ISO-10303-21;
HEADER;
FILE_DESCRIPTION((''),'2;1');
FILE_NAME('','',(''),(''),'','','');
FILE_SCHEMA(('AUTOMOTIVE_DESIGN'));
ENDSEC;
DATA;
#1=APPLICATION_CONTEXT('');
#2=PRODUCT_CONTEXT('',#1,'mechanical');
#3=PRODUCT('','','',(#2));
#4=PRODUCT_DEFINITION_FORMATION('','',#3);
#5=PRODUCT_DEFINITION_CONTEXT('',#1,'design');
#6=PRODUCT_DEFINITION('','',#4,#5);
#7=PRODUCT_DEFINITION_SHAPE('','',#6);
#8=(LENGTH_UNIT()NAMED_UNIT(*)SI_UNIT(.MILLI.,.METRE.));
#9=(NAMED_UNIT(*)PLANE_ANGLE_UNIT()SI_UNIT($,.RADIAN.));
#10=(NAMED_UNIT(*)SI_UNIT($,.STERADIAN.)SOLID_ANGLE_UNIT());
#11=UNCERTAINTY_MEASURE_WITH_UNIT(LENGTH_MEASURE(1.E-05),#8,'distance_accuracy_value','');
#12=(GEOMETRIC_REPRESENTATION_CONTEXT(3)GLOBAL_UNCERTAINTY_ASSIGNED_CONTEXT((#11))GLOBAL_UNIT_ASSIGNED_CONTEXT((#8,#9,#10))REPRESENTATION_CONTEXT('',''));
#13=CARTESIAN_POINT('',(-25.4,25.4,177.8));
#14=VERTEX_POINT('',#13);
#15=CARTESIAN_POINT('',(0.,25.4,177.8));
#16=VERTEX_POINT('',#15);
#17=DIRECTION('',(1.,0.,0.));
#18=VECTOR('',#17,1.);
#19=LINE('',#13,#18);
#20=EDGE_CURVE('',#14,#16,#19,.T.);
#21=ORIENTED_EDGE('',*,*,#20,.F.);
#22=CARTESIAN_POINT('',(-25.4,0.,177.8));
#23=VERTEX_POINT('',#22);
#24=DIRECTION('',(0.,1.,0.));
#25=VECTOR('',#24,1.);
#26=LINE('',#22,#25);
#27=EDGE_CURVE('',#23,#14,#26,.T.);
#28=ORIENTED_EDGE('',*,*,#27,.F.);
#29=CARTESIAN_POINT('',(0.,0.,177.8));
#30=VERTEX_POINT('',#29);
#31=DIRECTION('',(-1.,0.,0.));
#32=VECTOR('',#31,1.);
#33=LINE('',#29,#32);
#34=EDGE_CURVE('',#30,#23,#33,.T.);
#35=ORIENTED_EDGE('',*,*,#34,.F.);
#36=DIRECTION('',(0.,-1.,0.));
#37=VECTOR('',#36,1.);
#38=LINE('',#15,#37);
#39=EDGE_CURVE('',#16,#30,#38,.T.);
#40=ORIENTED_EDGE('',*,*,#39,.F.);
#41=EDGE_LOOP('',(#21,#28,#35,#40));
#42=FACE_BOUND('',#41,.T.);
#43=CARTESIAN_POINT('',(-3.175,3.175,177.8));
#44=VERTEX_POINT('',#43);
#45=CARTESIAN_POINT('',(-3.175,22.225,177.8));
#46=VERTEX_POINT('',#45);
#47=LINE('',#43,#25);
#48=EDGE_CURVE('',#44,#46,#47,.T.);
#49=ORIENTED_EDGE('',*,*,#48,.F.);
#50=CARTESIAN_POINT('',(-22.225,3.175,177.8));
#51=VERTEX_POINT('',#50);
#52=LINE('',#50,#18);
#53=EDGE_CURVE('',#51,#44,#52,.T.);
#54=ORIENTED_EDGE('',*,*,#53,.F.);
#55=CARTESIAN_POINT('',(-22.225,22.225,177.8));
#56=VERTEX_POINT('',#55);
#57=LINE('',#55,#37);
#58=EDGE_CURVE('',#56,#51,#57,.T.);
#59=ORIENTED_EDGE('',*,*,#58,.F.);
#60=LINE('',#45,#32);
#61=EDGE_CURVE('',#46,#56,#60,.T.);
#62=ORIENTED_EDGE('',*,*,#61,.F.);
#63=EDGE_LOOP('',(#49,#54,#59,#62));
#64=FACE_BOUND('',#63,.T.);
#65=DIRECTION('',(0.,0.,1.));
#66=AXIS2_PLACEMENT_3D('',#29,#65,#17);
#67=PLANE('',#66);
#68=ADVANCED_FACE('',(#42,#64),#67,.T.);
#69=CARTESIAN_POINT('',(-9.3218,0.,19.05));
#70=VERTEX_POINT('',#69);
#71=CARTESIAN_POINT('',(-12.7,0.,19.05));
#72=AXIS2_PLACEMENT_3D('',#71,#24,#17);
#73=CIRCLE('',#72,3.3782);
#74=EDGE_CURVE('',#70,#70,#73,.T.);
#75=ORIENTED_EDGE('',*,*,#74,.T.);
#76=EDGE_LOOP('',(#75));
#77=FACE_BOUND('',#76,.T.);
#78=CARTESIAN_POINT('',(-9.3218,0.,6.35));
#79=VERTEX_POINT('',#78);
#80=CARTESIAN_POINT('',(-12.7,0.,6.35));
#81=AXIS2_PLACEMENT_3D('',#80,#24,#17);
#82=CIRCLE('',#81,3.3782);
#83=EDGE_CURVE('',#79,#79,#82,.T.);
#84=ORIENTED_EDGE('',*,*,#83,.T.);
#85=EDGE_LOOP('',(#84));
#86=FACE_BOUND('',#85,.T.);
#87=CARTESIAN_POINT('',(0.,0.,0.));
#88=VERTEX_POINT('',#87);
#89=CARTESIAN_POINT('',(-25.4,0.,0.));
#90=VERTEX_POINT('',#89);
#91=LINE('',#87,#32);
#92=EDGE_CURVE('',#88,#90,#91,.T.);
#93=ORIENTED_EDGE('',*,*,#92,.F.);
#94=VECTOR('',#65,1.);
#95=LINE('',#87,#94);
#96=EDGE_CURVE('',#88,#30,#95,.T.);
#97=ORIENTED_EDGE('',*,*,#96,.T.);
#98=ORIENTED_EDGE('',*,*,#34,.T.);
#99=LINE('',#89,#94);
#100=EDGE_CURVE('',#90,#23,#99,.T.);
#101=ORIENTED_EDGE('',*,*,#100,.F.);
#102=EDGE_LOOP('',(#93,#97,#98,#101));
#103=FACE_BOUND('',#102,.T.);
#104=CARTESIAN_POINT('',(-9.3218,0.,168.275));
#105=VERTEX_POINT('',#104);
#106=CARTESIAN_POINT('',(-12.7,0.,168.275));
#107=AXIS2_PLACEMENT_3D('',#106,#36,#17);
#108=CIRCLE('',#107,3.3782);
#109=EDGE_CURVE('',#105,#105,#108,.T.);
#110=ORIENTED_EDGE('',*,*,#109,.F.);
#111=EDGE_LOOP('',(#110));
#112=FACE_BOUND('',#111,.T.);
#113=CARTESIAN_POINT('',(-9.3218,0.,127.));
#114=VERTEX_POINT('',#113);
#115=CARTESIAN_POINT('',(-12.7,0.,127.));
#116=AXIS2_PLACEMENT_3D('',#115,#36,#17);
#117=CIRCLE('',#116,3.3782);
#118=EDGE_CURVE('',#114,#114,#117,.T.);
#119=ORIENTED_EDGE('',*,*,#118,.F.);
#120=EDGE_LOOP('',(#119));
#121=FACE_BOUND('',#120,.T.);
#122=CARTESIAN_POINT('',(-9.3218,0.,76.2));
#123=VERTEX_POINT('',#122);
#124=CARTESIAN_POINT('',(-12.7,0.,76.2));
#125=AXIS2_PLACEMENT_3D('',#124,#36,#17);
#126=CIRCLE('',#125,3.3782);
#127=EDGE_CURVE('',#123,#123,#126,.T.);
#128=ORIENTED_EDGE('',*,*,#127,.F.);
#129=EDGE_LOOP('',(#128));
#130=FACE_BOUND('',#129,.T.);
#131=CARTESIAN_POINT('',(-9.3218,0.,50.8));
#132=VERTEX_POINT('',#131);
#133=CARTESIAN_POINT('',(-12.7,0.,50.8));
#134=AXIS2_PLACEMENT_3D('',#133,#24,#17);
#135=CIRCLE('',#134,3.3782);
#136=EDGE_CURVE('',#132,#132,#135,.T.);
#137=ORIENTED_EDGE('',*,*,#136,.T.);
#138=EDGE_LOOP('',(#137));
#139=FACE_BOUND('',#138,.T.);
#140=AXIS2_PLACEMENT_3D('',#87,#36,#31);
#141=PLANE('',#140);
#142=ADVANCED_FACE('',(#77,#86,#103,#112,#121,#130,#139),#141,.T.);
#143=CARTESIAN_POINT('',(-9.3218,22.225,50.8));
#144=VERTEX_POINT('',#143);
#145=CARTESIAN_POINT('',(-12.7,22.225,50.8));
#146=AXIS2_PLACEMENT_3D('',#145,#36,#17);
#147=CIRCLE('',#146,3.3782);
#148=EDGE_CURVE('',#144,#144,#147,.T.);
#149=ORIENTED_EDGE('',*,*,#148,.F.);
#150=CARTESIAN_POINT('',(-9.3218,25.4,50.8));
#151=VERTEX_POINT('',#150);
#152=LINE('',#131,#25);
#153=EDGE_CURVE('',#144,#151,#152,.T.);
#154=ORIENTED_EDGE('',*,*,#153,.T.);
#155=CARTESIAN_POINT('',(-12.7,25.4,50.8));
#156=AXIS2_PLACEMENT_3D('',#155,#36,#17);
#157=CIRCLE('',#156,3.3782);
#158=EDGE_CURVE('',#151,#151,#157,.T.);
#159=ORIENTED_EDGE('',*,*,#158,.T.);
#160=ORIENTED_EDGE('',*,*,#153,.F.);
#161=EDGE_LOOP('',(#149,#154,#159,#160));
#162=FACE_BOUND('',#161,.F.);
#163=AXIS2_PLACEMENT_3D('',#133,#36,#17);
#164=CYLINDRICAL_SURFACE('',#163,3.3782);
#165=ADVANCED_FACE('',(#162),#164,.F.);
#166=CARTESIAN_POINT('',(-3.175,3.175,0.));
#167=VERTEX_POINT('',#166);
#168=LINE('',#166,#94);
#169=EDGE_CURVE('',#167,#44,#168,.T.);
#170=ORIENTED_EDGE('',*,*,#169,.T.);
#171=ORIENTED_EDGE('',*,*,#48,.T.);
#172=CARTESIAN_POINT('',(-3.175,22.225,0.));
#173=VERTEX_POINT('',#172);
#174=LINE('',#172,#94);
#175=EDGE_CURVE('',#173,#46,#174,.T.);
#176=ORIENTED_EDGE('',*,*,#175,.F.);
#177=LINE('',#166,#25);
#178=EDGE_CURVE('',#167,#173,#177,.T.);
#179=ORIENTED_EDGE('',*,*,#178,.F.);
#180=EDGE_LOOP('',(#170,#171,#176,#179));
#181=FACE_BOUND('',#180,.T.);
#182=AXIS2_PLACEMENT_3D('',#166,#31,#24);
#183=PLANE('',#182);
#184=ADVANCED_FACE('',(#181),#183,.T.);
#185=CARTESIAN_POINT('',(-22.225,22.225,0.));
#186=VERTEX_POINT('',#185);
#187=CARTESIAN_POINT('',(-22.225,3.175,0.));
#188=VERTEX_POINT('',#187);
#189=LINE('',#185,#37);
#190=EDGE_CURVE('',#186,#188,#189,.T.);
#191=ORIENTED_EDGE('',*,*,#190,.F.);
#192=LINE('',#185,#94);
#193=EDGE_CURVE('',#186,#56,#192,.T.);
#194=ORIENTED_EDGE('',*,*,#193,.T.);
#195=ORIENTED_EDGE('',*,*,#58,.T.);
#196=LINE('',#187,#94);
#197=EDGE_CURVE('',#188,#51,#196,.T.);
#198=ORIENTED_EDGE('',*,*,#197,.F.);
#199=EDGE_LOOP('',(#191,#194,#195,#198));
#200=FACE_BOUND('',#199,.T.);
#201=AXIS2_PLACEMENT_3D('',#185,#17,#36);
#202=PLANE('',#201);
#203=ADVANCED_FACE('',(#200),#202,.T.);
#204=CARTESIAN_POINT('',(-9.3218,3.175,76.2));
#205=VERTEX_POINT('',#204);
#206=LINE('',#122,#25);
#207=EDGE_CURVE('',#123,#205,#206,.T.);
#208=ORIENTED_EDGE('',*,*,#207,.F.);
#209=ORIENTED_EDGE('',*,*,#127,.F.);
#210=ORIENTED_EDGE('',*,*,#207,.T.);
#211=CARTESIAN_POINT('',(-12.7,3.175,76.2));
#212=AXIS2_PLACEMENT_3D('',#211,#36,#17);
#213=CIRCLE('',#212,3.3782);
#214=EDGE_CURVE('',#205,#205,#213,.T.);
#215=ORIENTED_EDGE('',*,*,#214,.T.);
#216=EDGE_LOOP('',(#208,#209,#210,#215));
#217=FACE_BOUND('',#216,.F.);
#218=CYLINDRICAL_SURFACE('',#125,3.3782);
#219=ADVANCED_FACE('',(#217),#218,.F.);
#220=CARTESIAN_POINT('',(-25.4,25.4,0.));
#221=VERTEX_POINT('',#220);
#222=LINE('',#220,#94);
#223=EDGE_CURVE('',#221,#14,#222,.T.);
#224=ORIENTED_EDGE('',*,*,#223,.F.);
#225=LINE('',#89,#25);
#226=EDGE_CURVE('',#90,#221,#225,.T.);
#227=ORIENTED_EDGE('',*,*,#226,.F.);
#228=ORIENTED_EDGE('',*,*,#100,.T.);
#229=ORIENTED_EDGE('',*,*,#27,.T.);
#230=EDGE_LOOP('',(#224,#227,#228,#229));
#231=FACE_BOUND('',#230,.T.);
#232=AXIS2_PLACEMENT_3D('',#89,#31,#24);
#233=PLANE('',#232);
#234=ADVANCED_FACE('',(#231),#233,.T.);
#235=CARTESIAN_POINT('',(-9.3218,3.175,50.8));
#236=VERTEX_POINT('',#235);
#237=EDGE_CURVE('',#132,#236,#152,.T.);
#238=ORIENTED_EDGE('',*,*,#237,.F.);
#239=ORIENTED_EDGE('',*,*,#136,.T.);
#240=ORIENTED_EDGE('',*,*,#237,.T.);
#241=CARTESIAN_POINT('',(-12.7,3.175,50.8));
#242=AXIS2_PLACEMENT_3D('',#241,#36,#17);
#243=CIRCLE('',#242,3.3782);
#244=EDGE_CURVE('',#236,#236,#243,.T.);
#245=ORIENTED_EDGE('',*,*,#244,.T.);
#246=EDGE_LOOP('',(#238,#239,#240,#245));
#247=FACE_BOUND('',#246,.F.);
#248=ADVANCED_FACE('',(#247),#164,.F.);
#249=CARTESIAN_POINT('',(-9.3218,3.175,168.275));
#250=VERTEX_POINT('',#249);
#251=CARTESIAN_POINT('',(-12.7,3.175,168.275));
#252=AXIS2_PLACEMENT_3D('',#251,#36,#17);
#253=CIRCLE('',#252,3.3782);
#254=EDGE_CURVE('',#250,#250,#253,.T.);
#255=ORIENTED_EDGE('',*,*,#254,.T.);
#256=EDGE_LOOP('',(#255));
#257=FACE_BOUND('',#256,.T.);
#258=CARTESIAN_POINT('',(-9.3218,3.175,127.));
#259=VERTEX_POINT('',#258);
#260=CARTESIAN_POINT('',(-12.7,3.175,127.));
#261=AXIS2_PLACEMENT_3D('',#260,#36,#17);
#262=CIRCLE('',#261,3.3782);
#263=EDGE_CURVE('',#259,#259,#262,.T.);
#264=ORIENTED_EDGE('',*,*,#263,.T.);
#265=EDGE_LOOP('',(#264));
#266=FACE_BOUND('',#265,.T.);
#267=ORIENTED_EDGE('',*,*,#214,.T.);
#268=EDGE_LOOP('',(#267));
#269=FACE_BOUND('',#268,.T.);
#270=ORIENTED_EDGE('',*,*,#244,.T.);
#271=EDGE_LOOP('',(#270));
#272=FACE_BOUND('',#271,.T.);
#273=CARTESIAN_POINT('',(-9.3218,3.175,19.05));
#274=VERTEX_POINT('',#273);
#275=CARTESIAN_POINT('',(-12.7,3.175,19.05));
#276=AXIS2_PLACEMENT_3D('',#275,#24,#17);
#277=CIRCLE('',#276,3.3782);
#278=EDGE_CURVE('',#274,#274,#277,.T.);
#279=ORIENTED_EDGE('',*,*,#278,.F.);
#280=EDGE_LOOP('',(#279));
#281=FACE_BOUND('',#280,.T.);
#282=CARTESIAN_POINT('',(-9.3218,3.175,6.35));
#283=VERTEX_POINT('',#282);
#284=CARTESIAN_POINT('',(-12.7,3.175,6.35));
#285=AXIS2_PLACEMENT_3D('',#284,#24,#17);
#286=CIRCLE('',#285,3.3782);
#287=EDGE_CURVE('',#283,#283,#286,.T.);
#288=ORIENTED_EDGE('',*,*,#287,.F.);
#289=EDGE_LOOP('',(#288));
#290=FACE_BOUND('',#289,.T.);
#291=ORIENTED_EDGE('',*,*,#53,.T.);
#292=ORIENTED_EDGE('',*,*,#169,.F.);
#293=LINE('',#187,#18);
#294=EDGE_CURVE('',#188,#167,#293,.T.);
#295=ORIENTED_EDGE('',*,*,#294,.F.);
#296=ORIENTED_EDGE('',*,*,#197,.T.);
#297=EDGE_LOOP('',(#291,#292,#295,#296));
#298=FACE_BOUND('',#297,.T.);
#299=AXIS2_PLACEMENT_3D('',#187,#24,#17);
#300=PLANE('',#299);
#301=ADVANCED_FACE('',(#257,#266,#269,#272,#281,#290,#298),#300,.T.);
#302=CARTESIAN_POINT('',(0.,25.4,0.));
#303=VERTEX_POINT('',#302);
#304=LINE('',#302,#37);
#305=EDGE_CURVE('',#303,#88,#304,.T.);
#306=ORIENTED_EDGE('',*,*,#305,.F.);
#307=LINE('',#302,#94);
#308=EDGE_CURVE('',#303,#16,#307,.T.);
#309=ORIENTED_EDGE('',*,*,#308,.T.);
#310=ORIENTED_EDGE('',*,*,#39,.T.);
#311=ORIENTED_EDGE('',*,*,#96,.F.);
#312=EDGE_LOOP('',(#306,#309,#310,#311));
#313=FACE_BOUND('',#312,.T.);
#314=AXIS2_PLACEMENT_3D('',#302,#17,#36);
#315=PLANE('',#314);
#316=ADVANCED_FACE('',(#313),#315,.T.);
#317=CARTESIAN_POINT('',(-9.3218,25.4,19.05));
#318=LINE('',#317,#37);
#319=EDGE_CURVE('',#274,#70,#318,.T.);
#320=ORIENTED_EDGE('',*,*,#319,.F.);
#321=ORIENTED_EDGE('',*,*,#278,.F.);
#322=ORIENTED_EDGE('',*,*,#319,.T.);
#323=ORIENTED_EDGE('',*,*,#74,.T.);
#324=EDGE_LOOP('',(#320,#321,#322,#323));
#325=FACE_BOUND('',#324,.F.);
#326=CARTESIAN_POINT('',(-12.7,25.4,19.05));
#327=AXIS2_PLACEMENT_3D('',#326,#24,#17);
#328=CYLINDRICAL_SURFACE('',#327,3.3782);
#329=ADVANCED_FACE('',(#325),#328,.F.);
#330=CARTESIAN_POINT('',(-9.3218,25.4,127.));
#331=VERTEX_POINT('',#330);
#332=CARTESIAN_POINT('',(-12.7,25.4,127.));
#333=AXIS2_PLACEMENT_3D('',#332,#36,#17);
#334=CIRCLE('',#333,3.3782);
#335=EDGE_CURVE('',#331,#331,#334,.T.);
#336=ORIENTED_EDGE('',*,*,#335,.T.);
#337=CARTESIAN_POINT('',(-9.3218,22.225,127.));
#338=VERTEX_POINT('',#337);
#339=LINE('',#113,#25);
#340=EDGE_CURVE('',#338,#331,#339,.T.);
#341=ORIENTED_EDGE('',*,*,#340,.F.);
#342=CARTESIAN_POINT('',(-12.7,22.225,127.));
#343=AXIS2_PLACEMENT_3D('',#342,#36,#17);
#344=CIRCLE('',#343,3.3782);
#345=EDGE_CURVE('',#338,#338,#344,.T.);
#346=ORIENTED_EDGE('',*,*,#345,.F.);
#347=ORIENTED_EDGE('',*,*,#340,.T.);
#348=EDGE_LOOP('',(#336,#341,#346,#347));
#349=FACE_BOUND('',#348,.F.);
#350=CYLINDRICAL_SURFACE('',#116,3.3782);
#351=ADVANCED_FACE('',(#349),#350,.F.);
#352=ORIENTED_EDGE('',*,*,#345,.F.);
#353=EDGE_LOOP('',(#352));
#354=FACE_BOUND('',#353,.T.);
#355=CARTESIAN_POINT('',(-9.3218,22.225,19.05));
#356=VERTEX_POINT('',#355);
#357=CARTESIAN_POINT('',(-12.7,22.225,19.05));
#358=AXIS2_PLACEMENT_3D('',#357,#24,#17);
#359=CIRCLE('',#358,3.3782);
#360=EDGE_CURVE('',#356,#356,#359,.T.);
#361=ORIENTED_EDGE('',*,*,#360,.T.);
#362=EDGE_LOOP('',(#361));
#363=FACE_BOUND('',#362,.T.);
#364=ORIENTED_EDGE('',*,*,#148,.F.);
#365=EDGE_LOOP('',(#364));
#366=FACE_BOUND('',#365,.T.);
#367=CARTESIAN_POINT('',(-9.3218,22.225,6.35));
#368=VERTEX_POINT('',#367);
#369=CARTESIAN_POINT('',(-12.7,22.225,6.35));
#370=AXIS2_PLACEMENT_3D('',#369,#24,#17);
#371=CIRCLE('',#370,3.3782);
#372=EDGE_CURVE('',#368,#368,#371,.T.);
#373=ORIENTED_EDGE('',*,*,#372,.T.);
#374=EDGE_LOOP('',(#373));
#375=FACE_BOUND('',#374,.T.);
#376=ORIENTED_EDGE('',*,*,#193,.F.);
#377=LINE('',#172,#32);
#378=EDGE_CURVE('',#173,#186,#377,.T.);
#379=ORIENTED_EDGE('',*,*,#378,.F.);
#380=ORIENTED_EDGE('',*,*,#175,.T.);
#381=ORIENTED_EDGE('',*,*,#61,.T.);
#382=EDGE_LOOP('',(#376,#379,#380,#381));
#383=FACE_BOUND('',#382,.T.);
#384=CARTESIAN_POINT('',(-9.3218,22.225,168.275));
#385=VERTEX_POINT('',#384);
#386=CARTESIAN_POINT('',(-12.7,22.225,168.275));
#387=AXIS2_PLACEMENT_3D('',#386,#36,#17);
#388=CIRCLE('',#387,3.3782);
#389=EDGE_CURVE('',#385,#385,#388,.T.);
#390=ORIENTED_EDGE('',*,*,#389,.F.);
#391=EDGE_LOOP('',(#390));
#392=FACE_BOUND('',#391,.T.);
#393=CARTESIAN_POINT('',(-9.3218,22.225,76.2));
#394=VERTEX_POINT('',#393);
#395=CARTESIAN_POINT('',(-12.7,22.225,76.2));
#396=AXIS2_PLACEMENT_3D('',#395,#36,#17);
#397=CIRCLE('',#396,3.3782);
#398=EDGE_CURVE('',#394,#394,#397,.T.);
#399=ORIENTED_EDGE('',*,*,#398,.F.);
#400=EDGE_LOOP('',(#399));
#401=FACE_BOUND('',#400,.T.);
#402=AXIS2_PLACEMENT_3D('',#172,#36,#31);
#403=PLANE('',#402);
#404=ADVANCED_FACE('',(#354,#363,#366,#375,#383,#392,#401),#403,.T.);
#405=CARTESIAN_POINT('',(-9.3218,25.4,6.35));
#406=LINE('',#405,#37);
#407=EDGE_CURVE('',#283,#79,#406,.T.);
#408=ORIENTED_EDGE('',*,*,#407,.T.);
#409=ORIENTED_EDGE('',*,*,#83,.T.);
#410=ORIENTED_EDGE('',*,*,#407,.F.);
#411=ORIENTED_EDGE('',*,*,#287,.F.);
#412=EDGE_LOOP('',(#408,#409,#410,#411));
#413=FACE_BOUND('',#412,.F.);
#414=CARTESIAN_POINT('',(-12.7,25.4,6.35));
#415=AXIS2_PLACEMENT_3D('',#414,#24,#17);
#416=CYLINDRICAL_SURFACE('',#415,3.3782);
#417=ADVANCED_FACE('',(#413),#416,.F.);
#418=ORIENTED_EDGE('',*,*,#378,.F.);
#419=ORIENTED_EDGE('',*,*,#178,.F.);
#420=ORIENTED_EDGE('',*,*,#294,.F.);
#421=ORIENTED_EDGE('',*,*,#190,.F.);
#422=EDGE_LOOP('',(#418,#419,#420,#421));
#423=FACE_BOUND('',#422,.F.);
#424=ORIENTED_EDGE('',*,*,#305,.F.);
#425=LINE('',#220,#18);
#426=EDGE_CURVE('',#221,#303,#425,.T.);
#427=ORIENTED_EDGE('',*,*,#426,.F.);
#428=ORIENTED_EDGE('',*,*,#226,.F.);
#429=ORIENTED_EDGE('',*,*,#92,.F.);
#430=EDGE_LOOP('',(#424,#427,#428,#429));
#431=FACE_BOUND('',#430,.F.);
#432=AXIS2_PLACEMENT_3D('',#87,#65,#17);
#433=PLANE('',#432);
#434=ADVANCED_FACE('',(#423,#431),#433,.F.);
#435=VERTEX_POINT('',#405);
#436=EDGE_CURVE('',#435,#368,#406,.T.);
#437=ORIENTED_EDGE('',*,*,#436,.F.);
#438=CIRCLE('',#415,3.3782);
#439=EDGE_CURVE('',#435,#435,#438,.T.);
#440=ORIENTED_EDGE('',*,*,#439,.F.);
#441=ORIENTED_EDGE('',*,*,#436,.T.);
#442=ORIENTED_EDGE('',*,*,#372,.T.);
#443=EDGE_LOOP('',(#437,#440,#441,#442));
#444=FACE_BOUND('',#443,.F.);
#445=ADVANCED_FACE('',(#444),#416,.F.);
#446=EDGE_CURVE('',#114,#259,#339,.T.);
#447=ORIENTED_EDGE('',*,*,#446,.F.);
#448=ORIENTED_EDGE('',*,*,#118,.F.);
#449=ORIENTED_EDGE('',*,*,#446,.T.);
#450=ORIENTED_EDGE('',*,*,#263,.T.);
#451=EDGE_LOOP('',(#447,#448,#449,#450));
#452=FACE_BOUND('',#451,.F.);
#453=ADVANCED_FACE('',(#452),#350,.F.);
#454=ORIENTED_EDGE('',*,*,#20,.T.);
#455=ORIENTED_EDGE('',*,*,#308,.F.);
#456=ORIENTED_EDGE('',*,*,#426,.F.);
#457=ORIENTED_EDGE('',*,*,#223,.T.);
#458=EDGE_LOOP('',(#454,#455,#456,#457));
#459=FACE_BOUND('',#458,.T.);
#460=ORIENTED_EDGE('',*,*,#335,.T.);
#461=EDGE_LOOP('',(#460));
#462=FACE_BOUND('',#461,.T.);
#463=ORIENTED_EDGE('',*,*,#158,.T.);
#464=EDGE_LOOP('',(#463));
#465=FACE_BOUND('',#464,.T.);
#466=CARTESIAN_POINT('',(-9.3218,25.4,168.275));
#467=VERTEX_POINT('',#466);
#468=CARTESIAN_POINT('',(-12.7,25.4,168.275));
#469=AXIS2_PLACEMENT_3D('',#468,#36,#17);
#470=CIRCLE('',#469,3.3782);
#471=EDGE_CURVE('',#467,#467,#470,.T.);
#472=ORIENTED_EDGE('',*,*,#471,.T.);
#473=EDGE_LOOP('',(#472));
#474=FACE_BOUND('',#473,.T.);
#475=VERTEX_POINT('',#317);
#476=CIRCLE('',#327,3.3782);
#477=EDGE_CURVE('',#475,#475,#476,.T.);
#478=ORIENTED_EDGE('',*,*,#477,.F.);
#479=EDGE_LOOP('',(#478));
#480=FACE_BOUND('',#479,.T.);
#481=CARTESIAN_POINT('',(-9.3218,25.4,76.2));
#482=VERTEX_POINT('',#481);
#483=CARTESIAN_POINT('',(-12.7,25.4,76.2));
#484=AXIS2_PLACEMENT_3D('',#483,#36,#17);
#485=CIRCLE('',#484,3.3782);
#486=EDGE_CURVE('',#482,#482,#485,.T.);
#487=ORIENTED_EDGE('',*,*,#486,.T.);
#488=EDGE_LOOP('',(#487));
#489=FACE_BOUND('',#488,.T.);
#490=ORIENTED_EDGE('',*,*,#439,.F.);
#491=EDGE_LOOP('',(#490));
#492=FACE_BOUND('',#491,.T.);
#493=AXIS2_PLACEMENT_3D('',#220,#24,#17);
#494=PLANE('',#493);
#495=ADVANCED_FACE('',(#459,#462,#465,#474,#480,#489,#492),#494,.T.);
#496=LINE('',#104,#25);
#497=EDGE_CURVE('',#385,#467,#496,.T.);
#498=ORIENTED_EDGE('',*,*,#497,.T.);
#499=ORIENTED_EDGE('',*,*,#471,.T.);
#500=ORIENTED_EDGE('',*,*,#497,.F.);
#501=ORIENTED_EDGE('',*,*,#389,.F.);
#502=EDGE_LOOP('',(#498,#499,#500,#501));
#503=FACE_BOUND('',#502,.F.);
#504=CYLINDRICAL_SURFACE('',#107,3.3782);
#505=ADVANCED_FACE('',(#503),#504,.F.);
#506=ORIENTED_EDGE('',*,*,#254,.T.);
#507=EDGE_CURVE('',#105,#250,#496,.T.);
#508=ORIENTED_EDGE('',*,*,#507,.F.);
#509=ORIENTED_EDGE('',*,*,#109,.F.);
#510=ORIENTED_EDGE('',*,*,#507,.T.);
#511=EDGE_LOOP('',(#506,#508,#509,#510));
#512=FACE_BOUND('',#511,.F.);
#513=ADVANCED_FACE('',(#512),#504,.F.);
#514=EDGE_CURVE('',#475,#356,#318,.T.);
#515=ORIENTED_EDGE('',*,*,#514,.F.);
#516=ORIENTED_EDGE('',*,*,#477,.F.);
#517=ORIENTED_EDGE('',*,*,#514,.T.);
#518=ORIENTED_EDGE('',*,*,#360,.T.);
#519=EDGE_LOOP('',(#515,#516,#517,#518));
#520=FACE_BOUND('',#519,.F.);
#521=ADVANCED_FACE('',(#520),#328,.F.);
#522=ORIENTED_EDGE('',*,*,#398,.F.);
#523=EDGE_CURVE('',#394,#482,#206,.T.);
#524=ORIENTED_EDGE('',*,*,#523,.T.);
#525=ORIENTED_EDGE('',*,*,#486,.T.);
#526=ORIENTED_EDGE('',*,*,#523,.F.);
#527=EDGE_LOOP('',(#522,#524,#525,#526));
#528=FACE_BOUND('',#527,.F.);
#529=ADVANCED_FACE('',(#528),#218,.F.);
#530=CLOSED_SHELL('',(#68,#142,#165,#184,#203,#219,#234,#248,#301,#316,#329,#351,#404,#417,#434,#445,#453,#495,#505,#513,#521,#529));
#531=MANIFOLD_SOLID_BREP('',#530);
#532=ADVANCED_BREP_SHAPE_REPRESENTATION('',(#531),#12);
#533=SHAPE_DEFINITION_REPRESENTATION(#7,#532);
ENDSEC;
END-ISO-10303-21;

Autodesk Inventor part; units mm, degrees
ref_plane "YZ Plane" through (0, 0, 0) normal (1, 0, 0) x (0, 1, 0)
ref_plane "XZ Plane" through (0, 0, 0) normal (0, 1, 0) x (-1, 0, 0)
ref_plane "XY Plane" through (0, 0, 0) normal (0, 0, 1) x (1, 0, 0)
sketch "Sketch1" plane through (0, 0, 0) normal (0, 0, 1) x (1, 0, 0)
  line L0 (0, 0) -> (-25.4, 0)
  line L1 (-25.4, 0) -> (-25.4, 25.4)
  line L2 (-25.4, 25.4) -> (0, 25.4)
  line L3 (0, 25.4) -> (0, 0)
  line L4 (-3.175, 22.225) -> (-22.225, 22.225)
  line L5 (-22.225, 22.225) -> (-22.225, 3.175)
  line L6 (-22.225, 3.175) -> (-3.175, 3.175)
  line L7 (-3.175, 3.175) -> (-3.175, 22.225)
  dimension "d0" = 25.4
  dimension "d2" = 25.4
  dimension "d3" = 3.175
extrude "Extrusion1" add sketch "Sketch1" along normal blind 177.8
sketch "Sketch2" plane through (-25.4, 25.4, 0) normal (0, 1, 0) x (1, 0, 0)
  circle A0 centre (12.7, -19.05) radius 3.3782 projected
  circle A1 centre (12.7, -6.35) radius 3.3782 projected
extrude "Extrusion2" cut sketch "Sketch2" against normal blind 25.4
sketch "Sketch3" plane through (-25.4, 0, 0) normal (0, -1, 0) x (1, 0, 0)
  circle A0 centre (12.7, 76.2) radius 3.3782 projected
  line L0 (336.55, 50.8) -> (-157.1625, 50.8) projected
  circle A1 centre (12.7, 50.8) radius 3.3782 projected
extrude "Extrusion3" cut sketch "Sketch3" against normal blind 25.4
sketch "Sketch5" plane through (-25.4, 0, 0) normal (0, -1, 0) x (1, 0, 0)
  circle A0 centre (12.7, 127) radius 3.3782 projected
  circle A1 centre (12.7, 168.275) radius 3.3782 projected
extrude "Extrusion4" cut sketch "Sketch5" against normal blind 25.4
properties part number "winch mount" material "Aluminum 6061"
